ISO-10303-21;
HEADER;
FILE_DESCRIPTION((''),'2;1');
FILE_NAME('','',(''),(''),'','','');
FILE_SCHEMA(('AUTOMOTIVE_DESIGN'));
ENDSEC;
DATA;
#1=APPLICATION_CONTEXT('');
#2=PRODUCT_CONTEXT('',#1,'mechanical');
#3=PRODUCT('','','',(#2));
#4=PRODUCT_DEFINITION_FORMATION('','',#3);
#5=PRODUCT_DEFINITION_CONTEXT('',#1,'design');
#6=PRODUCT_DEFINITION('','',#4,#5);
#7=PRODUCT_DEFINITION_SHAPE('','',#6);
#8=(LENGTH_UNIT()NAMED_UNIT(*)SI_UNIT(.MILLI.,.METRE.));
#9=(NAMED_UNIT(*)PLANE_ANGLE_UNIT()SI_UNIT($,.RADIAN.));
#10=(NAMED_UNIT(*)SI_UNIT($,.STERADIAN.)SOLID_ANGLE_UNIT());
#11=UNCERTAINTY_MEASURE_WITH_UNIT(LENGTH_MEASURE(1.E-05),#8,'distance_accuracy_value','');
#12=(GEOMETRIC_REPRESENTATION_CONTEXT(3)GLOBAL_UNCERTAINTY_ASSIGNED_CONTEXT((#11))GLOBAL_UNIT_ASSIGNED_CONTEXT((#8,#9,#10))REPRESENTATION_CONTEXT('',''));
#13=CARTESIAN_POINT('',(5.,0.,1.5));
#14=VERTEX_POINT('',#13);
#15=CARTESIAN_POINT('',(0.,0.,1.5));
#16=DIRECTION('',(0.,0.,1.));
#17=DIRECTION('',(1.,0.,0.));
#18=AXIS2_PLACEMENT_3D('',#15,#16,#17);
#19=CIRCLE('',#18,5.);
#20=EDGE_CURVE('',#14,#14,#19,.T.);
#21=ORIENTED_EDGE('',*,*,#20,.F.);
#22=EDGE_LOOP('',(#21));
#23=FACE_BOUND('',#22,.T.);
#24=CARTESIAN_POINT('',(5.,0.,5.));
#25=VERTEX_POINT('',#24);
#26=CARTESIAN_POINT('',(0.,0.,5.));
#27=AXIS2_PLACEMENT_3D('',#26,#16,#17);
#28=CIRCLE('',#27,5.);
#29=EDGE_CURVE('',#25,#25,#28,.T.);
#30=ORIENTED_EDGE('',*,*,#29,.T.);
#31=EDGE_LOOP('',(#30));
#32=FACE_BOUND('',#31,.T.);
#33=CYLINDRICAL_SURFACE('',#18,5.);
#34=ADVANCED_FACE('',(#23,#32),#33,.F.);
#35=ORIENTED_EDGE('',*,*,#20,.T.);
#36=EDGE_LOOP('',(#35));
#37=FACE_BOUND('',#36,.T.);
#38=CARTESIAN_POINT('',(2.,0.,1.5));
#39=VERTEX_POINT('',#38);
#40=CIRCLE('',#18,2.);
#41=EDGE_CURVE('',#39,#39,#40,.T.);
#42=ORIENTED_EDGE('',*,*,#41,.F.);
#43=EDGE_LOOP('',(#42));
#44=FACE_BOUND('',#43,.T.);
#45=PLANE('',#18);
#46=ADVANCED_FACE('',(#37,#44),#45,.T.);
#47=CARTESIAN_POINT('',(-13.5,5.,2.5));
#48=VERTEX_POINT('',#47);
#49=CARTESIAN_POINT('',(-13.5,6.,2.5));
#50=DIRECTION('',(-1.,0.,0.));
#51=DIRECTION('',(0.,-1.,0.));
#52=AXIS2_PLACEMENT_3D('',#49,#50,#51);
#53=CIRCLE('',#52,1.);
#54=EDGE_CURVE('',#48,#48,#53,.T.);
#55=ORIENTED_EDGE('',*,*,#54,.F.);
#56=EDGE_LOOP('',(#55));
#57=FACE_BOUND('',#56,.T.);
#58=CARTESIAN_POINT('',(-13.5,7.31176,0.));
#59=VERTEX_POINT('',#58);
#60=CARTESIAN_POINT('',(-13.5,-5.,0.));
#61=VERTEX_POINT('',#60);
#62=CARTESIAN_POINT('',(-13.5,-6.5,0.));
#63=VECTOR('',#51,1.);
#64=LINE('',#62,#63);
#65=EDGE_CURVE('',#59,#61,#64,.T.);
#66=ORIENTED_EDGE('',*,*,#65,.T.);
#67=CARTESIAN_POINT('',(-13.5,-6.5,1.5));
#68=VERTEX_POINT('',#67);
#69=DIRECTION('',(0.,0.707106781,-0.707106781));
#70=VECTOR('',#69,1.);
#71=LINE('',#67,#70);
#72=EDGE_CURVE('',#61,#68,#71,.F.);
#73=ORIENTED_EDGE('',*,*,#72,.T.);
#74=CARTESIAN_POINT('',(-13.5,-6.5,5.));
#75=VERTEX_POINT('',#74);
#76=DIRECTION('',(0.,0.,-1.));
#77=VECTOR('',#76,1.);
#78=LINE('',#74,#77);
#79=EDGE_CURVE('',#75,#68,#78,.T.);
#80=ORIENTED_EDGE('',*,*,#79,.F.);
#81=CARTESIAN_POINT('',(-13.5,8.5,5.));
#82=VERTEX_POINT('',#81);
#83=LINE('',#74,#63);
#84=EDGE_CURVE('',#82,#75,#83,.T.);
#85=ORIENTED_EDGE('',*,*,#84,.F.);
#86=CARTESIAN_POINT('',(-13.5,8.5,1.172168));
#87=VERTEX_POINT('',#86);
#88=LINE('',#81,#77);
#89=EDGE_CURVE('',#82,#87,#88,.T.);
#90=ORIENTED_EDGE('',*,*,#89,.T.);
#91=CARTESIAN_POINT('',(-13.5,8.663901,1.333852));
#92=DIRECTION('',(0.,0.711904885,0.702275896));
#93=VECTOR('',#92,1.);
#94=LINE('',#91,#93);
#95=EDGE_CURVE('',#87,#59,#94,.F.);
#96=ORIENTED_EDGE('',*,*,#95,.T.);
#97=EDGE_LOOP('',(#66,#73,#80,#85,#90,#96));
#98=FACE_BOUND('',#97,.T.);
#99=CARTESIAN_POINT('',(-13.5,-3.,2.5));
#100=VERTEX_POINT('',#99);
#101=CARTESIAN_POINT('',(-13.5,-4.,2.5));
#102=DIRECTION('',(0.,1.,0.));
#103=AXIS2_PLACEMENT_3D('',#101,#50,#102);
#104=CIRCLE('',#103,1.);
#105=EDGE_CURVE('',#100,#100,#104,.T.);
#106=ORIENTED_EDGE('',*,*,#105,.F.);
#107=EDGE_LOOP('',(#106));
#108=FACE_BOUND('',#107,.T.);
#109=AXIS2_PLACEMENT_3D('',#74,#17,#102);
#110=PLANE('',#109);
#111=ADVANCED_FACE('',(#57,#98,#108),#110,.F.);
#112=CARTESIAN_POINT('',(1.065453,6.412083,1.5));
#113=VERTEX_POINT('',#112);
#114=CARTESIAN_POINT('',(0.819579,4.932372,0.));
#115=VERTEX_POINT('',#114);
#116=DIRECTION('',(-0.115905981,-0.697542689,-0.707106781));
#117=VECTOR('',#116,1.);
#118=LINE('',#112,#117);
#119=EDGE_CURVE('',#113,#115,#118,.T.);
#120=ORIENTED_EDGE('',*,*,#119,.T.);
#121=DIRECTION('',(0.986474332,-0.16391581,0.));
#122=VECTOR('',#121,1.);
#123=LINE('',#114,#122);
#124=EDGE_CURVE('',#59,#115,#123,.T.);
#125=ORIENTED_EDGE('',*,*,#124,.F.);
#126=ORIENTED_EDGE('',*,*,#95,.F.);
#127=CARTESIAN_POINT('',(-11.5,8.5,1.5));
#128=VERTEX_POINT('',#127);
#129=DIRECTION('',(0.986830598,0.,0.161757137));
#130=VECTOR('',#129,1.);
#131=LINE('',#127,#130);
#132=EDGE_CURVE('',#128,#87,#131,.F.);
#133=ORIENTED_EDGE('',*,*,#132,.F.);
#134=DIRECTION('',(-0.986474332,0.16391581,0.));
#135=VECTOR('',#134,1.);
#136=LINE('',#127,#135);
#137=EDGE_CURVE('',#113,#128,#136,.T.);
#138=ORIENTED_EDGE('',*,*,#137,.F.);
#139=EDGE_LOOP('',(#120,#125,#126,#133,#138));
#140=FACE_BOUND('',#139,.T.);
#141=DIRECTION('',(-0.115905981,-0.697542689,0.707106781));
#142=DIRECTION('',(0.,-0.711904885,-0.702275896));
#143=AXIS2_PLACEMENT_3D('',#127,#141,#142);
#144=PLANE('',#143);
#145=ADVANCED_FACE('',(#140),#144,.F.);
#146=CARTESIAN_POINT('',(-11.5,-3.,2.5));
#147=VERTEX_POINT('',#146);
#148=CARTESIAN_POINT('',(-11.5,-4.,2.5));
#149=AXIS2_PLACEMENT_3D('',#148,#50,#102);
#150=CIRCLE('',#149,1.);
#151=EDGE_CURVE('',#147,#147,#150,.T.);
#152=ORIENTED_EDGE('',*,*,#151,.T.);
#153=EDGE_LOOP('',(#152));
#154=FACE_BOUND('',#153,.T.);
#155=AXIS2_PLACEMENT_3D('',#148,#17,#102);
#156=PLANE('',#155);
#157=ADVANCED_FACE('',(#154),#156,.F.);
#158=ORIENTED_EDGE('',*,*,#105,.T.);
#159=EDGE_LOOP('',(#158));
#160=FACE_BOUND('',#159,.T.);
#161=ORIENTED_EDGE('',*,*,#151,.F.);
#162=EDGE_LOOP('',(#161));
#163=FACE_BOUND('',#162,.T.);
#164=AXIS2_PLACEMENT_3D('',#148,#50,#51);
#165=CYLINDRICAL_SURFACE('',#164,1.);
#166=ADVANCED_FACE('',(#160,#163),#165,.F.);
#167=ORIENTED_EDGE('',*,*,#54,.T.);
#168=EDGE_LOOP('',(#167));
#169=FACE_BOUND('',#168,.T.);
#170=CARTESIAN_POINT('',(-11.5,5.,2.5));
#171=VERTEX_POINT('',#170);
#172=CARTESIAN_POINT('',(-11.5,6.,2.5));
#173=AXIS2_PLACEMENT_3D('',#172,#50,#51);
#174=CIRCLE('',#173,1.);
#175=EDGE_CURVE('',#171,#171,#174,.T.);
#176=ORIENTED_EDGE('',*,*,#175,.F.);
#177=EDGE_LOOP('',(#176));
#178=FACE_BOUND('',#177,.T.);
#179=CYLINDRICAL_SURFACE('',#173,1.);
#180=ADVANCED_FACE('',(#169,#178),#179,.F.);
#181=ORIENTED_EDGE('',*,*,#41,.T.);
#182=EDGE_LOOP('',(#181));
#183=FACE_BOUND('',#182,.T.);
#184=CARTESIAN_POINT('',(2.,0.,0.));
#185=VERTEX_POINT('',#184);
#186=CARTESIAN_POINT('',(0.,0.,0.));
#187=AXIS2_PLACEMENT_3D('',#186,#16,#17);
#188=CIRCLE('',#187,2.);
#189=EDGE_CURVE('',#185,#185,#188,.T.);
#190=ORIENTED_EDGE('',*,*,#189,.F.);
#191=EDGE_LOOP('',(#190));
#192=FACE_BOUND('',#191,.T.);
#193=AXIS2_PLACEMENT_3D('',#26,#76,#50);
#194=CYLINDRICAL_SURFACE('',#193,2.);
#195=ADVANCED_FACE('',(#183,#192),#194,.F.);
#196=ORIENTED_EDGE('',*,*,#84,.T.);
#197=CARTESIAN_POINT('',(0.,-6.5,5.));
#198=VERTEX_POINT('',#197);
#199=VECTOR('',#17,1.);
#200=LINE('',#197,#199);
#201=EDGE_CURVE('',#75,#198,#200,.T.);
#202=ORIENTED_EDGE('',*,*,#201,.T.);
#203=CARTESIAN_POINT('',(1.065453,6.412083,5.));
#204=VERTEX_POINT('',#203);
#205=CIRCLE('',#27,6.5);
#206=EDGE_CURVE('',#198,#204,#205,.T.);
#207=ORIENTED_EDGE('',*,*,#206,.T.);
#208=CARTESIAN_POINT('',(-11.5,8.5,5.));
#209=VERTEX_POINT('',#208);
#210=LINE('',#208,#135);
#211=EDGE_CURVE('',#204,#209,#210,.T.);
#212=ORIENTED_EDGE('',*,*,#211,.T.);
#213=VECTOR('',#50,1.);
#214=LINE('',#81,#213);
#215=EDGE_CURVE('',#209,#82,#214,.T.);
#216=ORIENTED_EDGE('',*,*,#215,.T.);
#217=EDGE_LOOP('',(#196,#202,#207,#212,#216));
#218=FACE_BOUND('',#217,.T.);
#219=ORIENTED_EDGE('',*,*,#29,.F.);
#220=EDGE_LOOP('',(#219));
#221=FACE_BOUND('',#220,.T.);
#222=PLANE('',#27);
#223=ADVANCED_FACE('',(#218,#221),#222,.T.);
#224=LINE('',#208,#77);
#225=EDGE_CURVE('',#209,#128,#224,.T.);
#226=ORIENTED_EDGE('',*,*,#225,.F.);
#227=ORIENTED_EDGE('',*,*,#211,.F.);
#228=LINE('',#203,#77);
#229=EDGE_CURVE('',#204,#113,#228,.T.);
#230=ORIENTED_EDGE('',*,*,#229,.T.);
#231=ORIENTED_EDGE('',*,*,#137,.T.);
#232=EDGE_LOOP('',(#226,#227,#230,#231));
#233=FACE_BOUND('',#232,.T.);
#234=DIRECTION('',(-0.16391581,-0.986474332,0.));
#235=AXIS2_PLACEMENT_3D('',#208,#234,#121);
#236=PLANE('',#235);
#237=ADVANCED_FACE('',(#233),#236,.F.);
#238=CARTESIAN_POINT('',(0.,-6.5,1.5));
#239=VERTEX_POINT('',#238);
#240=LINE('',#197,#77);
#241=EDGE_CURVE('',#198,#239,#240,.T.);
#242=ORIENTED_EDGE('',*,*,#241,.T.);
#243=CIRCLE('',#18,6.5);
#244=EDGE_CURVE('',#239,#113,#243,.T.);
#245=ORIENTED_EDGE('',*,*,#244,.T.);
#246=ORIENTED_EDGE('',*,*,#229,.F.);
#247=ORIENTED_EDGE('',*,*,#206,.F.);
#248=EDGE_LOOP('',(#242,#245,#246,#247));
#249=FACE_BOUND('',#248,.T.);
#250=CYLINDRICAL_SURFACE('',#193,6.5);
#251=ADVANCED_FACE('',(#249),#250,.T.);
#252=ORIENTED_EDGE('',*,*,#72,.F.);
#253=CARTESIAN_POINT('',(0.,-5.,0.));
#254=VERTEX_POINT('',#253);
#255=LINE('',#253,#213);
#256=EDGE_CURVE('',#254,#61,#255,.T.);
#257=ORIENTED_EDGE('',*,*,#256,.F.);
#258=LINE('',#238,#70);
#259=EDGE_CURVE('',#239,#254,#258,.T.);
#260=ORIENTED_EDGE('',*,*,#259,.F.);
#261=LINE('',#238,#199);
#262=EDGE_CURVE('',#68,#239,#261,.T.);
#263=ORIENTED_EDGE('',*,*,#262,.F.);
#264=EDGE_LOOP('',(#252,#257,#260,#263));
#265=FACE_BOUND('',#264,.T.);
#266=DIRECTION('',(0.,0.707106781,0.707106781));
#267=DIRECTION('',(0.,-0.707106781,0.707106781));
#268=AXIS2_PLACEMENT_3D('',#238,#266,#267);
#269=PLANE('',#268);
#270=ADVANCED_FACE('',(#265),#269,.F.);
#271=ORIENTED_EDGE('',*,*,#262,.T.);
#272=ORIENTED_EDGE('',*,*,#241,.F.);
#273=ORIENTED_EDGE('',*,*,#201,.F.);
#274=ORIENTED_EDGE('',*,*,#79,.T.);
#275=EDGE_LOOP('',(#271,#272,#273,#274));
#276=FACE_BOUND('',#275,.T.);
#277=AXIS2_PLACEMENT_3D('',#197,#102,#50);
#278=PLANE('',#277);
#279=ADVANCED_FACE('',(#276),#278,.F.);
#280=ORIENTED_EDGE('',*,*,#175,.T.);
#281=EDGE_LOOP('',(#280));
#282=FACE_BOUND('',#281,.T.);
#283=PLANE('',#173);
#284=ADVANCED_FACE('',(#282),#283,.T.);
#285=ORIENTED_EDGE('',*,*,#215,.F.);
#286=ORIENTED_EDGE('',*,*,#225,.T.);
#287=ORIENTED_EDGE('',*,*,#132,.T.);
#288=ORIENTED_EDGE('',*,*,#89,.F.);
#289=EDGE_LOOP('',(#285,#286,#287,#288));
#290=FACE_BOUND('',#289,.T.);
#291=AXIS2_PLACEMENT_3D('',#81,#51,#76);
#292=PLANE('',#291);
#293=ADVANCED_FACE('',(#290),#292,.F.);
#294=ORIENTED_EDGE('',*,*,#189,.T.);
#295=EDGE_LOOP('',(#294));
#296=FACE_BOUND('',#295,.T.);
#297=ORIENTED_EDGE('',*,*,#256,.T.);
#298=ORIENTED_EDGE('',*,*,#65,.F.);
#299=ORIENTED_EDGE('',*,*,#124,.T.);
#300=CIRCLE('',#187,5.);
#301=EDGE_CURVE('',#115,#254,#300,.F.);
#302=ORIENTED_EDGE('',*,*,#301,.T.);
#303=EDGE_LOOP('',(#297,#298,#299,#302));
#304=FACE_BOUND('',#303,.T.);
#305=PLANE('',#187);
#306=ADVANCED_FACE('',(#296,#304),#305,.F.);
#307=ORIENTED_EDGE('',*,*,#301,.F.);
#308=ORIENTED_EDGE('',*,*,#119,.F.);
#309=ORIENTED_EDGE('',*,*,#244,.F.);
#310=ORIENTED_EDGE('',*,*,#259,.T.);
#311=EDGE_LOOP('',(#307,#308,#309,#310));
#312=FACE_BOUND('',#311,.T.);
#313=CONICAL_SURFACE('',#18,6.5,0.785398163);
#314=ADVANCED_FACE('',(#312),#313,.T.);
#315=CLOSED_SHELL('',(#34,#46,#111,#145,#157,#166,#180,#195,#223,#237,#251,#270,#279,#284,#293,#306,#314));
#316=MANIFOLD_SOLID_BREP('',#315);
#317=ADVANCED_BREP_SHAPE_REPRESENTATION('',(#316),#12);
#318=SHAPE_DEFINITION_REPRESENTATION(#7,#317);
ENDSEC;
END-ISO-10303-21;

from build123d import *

# Parameters (mm, degrees)
SKETCH1_R           = 2
BOSS_EXTRUDE1_DEPTH = 5
SKETCH2_R           = 5
CUT_EXTRUDE1_DEPTH  = 3.5
SKETCH3_R           = 1
CUT_EXTRUDE2_DEPTH  = 2
CHAMFER1_SIZE       = 1.5


with BuildPart() as part:
    # Sketch1 → Boss-Extrude1 (new body)
    with BuildSketch(Plane.XY):
        with BuildLine():
            Line((0, -6.5), (-13.5, -6.5))
            Line((-13.5, -6.5), (-13.5, 8.5))
            Line((-13.5, 8.5), (-11.5, 8.5))
            Line((-11.5, 8.5), (1.065452768, 6.412083156))
            ThreePointArc((1.065452768, 6.412083156), (6.477983502, -0.534536942), (0, -6.5))
        make_face()
        Circle(SKETCH1_R, mode=Mode.SUBTRACT)
    extrude(amount=BOSS_EXTRUDE1_DEPTH)

    # Sketch2 → Cut-Extrude1 (cut)
    with BuildSketch(Plane.XY.offset(5)):
        Circle(SKETCH2_R)
    extrude(amount=-CUT_EXTRUDE1_DEPTH, mode=Mode.SUBTRACT)

    # Sketch3 → Cut-Extrude2 (cut)
    with BuildSketch(Plane.ZY.offset(13.5)):
        with Locations(Location((2.5, 6, 0), (0, 0, 270))):
            Circle(SKETCH3_R)
        with Locations(Location((2.5, -4, 0), (0, 0, 90))):
            Circle(SKETCH3_R)
    extrude(amount=-CUT_EXTRUDE2_DEPTH, mode=Mode.SUBTRACT)

    # Chamfer1
    chamfer1_edges = [part.edges().sort_by_distance(p)[0] for p in [
        (-5.217273616, 7.456041578, 0),
        (6.477983502, -0.534536942, 0),
        (-6.75, -6.5, 0),
    ]]
    chamfer(chamfer1_edges, length=CHAMFER1_SIZE)


solid = part.part
